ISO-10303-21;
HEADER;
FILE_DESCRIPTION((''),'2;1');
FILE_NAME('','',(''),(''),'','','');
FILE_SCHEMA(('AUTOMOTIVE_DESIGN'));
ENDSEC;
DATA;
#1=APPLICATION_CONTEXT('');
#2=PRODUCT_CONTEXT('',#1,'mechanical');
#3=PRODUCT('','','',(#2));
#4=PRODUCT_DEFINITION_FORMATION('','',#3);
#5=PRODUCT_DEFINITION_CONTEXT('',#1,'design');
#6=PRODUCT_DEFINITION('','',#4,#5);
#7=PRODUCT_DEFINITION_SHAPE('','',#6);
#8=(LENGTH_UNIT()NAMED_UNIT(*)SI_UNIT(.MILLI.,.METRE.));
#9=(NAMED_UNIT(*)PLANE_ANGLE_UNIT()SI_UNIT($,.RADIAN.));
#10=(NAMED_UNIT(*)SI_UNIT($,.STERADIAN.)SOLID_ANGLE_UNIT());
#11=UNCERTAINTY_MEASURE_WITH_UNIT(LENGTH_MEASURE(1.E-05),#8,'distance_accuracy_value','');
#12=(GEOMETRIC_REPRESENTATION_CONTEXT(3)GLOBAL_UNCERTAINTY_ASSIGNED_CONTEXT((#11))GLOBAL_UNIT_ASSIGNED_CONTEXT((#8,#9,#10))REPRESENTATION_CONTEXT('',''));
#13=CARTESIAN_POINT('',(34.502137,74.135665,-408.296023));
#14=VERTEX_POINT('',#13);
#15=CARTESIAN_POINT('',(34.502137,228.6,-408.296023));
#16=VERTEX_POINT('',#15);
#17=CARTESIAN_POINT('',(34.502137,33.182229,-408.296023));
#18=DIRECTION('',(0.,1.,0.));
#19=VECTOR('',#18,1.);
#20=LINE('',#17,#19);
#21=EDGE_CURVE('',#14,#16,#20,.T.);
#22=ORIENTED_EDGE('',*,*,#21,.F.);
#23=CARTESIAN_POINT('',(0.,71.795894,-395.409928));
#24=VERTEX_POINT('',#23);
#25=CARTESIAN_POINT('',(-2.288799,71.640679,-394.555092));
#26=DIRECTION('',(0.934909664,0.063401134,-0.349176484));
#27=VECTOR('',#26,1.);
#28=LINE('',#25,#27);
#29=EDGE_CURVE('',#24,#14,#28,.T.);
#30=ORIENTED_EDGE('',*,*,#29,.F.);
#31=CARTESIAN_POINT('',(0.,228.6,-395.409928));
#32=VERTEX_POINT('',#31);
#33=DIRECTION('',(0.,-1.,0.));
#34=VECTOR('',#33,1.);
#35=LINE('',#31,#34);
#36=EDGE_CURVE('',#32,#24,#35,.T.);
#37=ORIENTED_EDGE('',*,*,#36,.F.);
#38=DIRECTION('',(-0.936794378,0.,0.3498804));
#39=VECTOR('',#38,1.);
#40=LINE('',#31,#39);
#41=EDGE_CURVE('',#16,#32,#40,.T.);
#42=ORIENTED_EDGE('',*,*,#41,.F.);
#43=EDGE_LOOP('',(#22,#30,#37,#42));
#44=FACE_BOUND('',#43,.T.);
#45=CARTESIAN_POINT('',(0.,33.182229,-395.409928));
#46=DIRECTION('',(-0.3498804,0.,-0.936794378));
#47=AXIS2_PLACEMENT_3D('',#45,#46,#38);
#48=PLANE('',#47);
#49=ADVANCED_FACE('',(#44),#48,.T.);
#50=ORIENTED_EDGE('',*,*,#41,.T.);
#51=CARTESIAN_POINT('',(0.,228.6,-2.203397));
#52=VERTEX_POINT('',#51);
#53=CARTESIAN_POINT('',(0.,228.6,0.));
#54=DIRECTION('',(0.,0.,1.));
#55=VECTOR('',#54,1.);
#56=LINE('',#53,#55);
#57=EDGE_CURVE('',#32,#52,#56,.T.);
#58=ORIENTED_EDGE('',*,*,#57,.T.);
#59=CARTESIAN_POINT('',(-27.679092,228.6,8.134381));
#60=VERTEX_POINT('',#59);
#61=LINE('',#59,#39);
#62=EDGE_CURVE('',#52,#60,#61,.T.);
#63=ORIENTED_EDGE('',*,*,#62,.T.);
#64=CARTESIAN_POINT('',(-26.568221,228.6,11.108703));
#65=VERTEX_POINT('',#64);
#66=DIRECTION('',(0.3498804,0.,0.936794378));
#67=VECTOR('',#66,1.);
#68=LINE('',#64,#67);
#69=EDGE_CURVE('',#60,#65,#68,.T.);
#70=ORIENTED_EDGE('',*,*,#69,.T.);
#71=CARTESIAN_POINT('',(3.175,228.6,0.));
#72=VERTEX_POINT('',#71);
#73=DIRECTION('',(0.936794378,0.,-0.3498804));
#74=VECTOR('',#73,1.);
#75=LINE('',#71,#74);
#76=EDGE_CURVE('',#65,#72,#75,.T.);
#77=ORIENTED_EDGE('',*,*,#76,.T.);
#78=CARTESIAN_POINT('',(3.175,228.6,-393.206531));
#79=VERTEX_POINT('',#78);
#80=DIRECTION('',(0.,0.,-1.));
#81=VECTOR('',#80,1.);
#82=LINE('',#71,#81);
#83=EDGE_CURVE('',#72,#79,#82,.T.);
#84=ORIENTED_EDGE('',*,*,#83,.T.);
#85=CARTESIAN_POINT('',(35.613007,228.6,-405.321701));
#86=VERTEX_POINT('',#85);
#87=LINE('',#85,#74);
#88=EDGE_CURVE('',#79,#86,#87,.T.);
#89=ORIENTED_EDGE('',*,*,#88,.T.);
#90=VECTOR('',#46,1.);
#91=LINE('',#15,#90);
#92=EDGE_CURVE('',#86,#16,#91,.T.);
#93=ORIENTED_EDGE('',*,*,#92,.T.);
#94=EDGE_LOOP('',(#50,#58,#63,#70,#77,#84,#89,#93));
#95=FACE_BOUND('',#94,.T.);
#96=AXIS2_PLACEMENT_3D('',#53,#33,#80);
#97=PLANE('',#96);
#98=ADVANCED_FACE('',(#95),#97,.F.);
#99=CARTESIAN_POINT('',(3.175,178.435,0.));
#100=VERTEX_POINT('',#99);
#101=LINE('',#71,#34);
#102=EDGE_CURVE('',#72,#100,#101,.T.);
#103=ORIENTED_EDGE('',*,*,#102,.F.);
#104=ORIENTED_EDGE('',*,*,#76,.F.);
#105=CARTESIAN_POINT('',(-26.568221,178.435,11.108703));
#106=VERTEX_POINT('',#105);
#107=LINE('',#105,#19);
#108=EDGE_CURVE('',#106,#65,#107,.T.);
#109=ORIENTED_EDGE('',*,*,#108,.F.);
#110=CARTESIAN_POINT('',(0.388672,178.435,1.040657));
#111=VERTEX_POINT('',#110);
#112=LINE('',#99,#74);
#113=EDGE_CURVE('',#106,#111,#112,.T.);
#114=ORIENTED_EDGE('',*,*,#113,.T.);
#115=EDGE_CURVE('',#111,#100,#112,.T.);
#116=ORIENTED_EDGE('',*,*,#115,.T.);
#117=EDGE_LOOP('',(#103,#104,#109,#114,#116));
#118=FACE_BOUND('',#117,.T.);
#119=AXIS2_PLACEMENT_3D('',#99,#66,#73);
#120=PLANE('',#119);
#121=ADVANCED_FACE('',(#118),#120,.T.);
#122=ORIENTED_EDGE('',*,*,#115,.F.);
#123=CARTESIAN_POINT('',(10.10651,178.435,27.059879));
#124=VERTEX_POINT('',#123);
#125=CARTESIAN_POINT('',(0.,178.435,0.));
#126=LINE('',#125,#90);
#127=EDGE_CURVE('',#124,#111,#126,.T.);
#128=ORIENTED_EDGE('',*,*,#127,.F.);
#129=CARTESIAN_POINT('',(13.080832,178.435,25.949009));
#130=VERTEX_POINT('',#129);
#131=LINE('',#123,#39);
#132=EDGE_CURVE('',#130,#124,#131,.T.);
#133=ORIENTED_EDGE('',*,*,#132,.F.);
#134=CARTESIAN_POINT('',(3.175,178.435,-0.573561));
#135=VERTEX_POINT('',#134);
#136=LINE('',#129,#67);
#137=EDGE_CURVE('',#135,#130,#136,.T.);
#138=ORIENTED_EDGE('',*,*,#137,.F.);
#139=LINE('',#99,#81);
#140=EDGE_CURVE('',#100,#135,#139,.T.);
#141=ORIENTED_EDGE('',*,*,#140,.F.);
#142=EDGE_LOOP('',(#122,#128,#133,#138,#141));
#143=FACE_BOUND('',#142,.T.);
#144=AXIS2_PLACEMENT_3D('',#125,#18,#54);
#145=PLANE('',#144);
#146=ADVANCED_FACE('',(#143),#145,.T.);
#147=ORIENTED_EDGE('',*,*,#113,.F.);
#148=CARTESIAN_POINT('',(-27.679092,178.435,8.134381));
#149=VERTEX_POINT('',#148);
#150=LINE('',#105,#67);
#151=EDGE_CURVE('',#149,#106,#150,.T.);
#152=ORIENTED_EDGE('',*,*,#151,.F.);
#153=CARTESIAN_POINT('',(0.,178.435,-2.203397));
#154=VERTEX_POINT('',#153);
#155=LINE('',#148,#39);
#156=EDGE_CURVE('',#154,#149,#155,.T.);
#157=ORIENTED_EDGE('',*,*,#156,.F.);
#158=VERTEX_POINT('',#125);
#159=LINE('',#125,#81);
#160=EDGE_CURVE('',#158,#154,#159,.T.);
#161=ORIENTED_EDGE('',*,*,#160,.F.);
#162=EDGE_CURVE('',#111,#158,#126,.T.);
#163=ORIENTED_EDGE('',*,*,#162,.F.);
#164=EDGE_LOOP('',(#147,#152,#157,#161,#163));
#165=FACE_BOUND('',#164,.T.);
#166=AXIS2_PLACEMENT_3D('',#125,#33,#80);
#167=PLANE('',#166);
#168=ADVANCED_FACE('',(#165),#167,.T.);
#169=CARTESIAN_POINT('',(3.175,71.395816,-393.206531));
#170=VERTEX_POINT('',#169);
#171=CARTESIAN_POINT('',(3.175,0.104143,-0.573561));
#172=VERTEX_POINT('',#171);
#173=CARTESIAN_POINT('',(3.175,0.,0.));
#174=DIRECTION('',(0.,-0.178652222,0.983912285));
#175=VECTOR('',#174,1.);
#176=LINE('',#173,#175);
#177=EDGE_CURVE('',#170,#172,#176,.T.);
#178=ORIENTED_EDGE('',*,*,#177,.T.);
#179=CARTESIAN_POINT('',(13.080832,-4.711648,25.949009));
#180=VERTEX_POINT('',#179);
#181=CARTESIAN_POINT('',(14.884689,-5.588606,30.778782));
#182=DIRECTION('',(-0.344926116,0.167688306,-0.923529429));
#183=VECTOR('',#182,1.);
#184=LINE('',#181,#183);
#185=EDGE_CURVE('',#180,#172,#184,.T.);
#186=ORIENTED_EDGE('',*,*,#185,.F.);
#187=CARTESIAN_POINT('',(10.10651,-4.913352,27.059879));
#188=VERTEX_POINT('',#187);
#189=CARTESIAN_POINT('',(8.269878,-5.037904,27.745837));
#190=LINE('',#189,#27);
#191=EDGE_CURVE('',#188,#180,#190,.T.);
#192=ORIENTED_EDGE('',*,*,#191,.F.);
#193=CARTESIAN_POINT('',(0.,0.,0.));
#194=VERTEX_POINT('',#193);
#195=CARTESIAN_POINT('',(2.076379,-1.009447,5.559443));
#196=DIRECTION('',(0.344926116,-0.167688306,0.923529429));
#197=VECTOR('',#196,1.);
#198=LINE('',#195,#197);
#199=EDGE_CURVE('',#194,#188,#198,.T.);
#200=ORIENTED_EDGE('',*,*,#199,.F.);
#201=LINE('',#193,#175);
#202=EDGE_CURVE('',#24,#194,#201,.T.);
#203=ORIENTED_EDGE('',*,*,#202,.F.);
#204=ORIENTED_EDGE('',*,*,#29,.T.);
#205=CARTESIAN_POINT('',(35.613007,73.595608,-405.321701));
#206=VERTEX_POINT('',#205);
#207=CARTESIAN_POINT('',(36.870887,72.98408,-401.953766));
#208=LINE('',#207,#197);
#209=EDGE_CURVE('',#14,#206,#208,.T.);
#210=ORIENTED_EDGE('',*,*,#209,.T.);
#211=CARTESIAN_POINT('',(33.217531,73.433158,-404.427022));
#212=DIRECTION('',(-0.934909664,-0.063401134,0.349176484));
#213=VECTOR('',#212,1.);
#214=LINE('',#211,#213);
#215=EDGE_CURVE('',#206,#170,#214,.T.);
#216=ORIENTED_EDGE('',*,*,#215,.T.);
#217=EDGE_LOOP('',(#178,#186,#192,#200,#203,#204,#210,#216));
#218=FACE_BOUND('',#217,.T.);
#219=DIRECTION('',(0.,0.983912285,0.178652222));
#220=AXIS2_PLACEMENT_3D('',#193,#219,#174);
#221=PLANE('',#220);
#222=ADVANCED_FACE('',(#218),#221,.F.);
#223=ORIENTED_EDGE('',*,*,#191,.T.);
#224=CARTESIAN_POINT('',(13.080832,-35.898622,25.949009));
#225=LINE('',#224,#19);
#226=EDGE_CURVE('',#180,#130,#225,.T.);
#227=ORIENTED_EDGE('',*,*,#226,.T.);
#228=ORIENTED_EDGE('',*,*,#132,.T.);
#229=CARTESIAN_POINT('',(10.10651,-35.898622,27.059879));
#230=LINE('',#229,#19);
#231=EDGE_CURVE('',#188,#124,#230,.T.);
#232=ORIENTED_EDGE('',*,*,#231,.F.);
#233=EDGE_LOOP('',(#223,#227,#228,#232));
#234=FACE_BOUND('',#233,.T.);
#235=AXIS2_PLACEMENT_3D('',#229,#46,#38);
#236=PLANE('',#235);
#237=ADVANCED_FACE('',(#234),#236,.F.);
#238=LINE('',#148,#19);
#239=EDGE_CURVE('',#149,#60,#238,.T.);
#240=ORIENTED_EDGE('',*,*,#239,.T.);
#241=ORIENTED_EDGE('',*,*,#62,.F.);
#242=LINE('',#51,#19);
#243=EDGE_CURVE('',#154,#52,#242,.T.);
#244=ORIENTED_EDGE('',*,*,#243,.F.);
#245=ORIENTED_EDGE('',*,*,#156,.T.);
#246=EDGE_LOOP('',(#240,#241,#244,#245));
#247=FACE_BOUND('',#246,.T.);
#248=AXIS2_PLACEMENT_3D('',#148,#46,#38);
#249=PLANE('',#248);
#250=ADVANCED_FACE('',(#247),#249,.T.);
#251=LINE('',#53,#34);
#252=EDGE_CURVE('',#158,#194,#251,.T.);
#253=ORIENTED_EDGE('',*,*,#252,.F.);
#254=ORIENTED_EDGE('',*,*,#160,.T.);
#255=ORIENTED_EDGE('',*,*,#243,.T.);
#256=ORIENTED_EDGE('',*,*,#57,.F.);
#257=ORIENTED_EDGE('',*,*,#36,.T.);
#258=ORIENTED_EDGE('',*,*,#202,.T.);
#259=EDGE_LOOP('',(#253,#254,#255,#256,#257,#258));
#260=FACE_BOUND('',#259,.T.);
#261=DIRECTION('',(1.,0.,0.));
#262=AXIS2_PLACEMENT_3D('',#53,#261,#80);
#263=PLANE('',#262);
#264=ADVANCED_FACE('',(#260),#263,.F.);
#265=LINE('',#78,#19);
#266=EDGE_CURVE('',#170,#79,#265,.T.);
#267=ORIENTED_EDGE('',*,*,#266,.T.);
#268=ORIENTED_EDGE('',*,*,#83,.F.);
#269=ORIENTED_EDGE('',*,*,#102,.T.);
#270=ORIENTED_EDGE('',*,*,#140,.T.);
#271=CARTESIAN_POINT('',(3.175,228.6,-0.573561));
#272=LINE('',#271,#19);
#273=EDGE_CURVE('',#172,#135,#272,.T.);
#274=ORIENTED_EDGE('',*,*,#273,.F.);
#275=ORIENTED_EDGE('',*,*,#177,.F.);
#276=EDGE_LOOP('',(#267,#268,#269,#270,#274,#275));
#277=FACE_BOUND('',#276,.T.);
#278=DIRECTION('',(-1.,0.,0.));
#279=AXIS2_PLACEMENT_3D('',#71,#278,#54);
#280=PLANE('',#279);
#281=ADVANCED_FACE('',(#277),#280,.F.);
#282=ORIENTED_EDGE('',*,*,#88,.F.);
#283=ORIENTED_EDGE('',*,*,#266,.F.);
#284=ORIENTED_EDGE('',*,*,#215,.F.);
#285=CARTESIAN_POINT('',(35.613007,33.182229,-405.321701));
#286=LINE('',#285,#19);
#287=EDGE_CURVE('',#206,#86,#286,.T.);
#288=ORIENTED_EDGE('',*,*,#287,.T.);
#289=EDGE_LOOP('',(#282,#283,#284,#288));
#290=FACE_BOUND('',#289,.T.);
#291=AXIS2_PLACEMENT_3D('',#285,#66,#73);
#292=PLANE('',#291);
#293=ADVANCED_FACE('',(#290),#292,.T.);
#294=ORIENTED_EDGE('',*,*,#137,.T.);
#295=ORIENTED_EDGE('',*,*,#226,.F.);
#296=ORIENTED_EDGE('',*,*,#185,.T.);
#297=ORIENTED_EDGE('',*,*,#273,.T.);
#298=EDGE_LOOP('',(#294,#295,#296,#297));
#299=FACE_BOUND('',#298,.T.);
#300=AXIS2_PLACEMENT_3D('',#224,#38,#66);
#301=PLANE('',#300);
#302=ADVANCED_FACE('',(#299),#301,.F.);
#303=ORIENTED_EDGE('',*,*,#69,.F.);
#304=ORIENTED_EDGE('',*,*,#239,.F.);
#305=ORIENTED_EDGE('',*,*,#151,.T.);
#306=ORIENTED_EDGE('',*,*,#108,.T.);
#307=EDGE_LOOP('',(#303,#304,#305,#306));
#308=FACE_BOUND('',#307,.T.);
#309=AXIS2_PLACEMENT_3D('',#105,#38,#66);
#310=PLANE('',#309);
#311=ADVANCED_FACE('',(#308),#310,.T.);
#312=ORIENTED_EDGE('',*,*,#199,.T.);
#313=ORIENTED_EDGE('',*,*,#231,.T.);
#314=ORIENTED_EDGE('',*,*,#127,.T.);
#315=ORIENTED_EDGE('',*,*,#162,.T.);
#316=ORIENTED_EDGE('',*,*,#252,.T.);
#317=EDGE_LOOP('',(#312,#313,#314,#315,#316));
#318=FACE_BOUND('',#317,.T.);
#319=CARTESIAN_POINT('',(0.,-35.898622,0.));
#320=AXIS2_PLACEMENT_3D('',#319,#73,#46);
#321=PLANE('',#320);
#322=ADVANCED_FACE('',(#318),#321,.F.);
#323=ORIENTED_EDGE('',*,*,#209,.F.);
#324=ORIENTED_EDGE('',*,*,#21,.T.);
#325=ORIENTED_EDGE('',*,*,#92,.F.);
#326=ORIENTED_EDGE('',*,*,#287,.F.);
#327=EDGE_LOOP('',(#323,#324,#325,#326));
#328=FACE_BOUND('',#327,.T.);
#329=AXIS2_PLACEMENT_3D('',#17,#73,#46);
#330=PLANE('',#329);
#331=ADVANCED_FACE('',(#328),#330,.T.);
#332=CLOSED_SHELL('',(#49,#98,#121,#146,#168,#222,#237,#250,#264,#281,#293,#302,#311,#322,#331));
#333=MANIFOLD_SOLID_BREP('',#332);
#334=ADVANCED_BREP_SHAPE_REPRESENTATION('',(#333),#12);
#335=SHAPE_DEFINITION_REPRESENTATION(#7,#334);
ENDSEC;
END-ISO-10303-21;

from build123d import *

# Parameters (mm, degrees)
SKETCH1_W           = 3.175
SKETCH1_H           = 395.409928
BOSS_EXTRUDE1_DEPTH = 228.6
CUT_EXTRUDE1_DEPTH  = 457.746156838
BOSS_EXTRUDE4_REACH = 458.746
BOSS_EXTRUDE5_DEPTH = 50.165
BOSS_EXTRUDE8_REACH = 449.004


with BuildPart() as part:
    # Sketch1 → Boss-Extrude1 (new body)
    with BuildSketch(Plane(origin=(0, 0, 0), x_dir=(1, 0, 0), z_dir=(0, 1, 0))):
        with Locations((1.5875, 197.704964)):
            Rectangle(SKETCH1_W, SKETCH1_H)
    extrude(amount=BOSS_EXTRUDE1_DEPTH)

    # Sketch2 → Cut-Extrude1 (cut, through all)
    with BuildSketch(Plane(origin=(3.175, 0, 0), x_dir=(0, 0, -1), z_dir=(1, 0, 0))):
        Polygon((0, 0), (395.409928, 71.795894), (395.409928, 0), align=None)
    extrude(amount=-CUT_EXTRUDE1_DEPTH, mode=Mode.SUBTRACT)

    # Boss-Extrude4: up to this plane
    boss_extrude4_end = Plane(origin=(0, 0, 0), z_dir=(0, 0.9839122845611679, 0.17865222161961358))
    # Sketch8 → Boss-Extrude4 (add, up to the surface)
    with BuildSketch(Plane(origin=(0, 228.6, 0), x_dir=(1, 0, 0), z_dir=(0, 1, 0)), mode=Mode.PRIVATE) as boss_extrude4_sk1:
        Polygon((0, 395.409928), (34.502136928, 408.296023119), (35.613007197, 405.32170097), (0, 392.020710392), align=None)
    boss_extrude4_tool1 = split(extrude(boss_extrude4_sk1.sketch, amount=-BOSS_EXTRUDE4_REACH, mode=Mode.PRIVATE), bisect_by=boss_extrude4_end, keep=Keep.BOTH, mode=Mode.PRIVATE)
    add(boss_extrude4_tool1.solids().sort_by_distance((17.530253, 228.6, -400.253689))[0])

    # Sketch9 → Boss-Extrude5 (add)
    with BuildSketch(Plane(origin=(0, 228.6, 0), x_dir=(1, 0, 0), z_dir=(0, 1, 0))):
        Polygon((3.175, 0), (-26.568221489, -11.108702689), (-27.679091758, -8.13438054), (3.175, 3.389217608), align=None)
    extrude(amount=-BOSS_EXTRUDE5_DEPTH)

    # Boss-Extrude8: up to this plane
    boss_extrude8_end = Plane(origin=(0, 0, 0), z_dir=(0, 0.9839122845611679, 0.17865222161961358))
    # Sketch13 → Boss-Extrude8 (add, up to the surface)
    with BuildSketch(Plane.XZ.offset(-178.435), mode=Mode.PRIVATE) as boss_extrude8_sk1:
        Polygon((0, 0), (10.106509579, 27.059879205), (13.080831728, 25.949008936), (1.972129039, -3.794212553), align=None)
    boss_extrude8_tool1 = split(extrude(boss_extrude8_sk1.sketch, amount=BOSS_EXTRUDE8_REACH, mode=Mode.PRIVATE), bisect_by=boss_extrude8_end, keep=Keep.BOTH, mode=Mode.PRIVATE)
    add(boss_extrude8_tool1.solids().sort_by_distance((6.30934, 178.435, 12.284359))[0])


solid = part.part
